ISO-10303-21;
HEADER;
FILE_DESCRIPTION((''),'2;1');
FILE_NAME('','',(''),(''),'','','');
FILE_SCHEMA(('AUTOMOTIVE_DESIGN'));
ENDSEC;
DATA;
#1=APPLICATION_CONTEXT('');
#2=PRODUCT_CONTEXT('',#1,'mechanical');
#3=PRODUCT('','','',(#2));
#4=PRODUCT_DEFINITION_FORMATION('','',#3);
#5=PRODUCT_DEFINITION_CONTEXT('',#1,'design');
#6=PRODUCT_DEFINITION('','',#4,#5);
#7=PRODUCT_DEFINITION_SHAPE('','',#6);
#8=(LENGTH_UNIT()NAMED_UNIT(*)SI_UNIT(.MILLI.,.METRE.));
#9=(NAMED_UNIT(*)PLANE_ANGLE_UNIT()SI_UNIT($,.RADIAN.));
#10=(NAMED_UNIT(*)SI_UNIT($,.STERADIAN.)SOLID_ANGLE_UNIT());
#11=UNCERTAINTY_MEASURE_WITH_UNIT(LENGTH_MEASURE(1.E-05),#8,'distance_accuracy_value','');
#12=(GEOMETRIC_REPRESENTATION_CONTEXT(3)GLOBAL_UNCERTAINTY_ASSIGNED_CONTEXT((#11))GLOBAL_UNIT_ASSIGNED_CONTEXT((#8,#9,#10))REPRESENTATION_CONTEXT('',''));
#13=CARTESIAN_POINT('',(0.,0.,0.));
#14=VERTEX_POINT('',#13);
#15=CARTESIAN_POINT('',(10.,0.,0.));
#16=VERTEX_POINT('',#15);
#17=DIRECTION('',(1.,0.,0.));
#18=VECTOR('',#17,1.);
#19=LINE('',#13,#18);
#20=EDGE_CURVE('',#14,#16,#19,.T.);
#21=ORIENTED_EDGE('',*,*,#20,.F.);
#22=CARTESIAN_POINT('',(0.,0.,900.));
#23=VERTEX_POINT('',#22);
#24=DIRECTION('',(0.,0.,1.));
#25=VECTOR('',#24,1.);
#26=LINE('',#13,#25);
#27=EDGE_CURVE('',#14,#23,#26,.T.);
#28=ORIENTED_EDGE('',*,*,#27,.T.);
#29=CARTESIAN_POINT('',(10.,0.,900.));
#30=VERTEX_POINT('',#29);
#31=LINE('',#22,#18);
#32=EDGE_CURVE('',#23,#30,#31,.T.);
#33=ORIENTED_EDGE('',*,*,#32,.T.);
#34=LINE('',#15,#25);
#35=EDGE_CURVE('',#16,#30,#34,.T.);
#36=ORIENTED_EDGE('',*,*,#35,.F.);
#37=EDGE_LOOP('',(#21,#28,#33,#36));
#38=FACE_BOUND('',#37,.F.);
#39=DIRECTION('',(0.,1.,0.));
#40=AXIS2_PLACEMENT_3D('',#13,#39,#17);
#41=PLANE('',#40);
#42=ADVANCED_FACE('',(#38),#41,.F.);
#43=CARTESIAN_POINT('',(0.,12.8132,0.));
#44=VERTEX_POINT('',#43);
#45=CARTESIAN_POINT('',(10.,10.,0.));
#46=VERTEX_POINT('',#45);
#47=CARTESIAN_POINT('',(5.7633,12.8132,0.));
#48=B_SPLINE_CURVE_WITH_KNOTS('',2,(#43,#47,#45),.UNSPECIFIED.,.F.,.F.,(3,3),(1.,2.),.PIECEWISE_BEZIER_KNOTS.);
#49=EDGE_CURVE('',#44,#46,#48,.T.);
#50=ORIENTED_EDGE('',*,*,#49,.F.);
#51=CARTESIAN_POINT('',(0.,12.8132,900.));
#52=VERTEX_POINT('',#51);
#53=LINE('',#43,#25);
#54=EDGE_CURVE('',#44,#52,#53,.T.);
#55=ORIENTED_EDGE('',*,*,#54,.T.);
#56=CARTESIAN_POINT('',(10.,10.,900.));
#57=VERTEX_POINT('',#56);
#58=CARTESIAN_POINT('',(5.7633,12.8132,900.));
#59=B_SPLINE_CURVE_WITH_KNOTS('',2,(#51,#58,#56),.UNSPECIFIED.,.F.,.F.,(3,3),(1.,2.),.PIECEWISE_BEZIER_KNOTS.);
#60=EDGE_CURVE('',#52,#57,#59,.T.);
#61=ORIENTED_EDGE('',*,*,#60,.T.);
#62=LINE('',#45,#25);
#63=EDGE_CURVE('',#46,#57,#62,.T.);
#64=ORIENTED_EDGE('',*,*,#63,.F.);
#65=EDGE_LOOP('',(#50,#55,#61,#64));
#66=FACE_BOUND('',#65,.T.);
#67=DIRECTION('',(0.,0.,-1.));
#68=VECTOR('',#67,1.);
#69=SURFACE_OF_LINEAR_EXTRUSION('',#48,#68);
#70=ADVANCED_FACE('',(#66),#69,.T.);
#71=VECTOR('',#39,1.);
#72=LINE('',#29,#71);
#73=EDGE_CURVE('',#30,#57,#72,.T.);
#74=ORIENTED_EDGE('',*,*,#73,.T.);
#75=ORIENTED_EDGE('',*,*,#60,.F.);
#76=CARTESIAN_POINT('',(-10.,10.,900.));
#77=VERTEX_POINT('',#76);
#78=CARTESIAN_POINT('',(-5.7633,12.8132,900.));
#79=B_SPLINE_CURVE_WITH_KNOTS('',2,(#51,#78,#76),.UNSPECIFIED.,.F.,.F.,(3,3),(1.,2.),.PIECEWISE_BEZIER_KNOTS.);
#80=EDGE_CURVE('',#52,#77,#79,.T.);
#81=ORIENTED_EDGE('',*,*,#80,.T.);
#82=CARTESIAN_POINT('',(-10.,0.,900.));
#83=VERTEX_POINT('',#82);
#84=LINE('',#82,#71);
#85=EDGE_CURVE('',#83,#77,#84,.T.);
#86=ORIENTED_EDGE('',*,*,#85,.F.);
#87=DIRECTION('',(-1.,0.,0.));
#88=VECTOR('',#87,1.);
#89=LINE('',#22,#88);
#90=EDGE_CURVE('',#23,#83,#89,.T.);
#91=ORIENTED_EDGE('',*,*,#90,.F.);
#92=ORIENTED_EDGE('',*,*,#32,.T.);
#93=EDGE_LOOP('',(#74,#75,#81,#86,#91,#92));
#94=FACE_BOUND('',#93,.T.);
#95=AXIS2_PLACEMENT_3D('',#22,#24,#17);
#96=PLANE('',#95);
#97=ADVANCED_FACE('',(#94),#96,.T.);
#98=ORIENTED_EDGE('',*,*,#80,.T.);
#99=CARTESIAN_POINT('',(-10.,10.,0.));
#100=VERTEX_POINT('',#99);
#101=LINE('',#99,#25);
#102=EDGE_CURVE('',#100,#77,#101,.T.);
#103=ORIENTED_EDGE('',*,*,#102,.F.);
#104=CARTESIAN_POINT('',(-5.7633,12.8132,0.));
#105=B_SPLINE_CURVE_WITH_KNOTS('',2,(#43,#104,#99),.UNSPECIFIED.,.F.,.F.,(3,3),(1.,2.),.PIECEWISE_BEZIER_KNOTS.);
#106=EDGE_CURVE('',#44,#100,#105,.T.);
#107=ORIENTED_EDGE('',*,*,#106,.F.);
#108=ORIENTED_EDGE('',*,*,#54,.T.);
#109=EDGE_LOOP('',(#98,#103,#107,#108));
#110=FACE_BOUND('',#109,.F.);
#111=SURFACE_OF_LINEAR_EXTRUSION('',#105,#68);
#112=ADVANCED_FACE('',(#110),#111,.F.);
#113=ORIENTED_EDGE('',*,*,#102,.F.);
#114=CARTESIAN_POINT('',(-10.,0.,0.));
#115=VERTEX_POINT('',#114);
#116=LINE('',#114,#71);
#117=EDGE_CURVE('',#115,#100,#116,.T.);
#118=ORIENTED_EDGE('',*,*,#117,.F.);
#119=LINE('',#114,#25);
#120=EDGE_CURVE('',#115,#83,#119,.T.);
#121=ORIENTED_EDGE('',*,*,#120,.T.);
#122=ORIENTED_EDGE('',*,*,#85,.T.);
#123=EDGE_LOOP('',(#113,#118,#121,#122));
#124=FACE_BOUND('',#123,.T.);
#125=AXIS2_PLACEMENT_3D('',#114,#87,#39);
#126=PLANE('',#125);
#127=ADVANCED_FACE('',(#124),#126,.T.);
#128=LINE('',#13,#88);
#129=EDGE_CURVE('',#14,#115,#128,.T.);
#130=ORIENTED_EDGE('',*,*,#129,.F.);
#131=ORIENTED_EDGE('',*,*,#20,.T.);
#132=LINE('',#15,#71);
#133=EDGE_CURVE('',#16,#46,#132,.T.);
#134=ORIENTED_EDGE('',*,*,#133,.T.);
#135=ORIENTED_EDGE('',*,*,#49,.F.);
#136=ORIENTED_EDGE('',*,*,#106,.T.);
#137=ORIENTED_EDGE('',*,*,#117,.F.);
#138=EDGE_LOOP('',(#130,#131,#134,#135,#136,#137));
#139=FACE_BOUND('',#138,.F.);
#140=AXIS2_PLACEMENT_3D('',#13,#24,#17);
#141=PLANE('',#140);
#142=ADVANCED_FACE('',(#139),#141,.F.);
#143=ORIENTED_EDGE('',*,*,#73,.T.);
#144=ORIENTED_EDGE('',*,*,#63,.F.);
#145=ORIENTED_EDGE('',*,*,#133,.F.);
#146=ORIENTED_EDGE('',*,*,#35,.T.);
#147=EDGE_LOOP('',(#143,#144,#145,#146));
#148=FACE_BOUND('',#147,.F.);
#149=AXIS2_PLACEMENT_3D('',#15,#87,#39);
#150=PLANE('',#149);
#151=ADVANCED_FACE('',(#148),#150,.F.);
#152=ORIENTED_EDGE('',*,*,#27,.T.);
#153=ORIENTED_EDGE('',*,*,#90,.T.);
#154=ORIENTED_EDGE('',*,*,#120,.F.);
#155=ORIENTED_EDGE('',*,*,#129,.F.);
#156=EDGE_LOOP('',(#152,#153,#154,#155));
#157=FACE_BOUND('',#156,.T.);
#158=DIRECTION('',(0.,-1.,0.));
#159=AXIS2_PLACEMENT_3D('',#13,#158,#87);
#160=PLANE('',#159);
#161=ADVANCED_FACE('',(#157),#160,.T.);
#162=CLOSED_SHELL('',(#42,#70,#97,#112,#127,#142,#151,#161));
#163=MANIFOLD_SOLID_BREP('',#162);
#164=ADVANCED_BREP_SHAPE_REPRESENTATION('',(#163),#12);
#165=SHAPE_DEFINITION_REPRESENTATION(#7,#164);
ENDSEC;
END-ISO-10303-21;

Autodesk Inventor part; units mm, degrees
ref_plane "YZ Plane" through (0, 0, 0) normal (1, 0, 0) x (0, 1, 0)
ref_plane "XZ Plane" through (0, 0, 0) normal (0, 1, 0) x (-1, 0, 0)
ref_plane "XY Plane" through (0, 0, 0) normal (0, 0, 1) x (1, 0, 0)
sketch "Sketch1" plane through (0, 0, 0) normal (0, 0, 1) x (1, 0, 0)
  line L0 (0, 12.8132) -> (5.7633, 12.8132) construction
  line L1 (5.7633, 12.8132) -> (10, 10) construction
  spline S0 degree 2 poles (0, 12.8132) (5.7633, 12.8132) (10, 10) knots 1 1 1 2 2 2
  line L2 (0, 0) -> (10, 0)
  line L3 (10, 0) -> (10, 10)
  line L4 (0, 13.9209) -> (0, -2.5018) construction
  line L5 (0, 12.8132) -> (-5.7633, 12.8132) construction
  line L6 (-5.7633, 12.8132) -> (-10, 10) construction
  spline S1 degree 2 poles (0, 12.8132) (-5.7633, 12.8132) (-10, 10) knots 1 1 1 2 2 2
  line L7 (0, 0) -> (-10, 0)
  line L8 (-10, 0) -> (-10, 10)
  dimension "d0" = 10
  dimension "d1" = 10
extrude "Extrusion1" add sketch "Sketch1" along normal blind 900
properties part number "CentreBackCushion"
